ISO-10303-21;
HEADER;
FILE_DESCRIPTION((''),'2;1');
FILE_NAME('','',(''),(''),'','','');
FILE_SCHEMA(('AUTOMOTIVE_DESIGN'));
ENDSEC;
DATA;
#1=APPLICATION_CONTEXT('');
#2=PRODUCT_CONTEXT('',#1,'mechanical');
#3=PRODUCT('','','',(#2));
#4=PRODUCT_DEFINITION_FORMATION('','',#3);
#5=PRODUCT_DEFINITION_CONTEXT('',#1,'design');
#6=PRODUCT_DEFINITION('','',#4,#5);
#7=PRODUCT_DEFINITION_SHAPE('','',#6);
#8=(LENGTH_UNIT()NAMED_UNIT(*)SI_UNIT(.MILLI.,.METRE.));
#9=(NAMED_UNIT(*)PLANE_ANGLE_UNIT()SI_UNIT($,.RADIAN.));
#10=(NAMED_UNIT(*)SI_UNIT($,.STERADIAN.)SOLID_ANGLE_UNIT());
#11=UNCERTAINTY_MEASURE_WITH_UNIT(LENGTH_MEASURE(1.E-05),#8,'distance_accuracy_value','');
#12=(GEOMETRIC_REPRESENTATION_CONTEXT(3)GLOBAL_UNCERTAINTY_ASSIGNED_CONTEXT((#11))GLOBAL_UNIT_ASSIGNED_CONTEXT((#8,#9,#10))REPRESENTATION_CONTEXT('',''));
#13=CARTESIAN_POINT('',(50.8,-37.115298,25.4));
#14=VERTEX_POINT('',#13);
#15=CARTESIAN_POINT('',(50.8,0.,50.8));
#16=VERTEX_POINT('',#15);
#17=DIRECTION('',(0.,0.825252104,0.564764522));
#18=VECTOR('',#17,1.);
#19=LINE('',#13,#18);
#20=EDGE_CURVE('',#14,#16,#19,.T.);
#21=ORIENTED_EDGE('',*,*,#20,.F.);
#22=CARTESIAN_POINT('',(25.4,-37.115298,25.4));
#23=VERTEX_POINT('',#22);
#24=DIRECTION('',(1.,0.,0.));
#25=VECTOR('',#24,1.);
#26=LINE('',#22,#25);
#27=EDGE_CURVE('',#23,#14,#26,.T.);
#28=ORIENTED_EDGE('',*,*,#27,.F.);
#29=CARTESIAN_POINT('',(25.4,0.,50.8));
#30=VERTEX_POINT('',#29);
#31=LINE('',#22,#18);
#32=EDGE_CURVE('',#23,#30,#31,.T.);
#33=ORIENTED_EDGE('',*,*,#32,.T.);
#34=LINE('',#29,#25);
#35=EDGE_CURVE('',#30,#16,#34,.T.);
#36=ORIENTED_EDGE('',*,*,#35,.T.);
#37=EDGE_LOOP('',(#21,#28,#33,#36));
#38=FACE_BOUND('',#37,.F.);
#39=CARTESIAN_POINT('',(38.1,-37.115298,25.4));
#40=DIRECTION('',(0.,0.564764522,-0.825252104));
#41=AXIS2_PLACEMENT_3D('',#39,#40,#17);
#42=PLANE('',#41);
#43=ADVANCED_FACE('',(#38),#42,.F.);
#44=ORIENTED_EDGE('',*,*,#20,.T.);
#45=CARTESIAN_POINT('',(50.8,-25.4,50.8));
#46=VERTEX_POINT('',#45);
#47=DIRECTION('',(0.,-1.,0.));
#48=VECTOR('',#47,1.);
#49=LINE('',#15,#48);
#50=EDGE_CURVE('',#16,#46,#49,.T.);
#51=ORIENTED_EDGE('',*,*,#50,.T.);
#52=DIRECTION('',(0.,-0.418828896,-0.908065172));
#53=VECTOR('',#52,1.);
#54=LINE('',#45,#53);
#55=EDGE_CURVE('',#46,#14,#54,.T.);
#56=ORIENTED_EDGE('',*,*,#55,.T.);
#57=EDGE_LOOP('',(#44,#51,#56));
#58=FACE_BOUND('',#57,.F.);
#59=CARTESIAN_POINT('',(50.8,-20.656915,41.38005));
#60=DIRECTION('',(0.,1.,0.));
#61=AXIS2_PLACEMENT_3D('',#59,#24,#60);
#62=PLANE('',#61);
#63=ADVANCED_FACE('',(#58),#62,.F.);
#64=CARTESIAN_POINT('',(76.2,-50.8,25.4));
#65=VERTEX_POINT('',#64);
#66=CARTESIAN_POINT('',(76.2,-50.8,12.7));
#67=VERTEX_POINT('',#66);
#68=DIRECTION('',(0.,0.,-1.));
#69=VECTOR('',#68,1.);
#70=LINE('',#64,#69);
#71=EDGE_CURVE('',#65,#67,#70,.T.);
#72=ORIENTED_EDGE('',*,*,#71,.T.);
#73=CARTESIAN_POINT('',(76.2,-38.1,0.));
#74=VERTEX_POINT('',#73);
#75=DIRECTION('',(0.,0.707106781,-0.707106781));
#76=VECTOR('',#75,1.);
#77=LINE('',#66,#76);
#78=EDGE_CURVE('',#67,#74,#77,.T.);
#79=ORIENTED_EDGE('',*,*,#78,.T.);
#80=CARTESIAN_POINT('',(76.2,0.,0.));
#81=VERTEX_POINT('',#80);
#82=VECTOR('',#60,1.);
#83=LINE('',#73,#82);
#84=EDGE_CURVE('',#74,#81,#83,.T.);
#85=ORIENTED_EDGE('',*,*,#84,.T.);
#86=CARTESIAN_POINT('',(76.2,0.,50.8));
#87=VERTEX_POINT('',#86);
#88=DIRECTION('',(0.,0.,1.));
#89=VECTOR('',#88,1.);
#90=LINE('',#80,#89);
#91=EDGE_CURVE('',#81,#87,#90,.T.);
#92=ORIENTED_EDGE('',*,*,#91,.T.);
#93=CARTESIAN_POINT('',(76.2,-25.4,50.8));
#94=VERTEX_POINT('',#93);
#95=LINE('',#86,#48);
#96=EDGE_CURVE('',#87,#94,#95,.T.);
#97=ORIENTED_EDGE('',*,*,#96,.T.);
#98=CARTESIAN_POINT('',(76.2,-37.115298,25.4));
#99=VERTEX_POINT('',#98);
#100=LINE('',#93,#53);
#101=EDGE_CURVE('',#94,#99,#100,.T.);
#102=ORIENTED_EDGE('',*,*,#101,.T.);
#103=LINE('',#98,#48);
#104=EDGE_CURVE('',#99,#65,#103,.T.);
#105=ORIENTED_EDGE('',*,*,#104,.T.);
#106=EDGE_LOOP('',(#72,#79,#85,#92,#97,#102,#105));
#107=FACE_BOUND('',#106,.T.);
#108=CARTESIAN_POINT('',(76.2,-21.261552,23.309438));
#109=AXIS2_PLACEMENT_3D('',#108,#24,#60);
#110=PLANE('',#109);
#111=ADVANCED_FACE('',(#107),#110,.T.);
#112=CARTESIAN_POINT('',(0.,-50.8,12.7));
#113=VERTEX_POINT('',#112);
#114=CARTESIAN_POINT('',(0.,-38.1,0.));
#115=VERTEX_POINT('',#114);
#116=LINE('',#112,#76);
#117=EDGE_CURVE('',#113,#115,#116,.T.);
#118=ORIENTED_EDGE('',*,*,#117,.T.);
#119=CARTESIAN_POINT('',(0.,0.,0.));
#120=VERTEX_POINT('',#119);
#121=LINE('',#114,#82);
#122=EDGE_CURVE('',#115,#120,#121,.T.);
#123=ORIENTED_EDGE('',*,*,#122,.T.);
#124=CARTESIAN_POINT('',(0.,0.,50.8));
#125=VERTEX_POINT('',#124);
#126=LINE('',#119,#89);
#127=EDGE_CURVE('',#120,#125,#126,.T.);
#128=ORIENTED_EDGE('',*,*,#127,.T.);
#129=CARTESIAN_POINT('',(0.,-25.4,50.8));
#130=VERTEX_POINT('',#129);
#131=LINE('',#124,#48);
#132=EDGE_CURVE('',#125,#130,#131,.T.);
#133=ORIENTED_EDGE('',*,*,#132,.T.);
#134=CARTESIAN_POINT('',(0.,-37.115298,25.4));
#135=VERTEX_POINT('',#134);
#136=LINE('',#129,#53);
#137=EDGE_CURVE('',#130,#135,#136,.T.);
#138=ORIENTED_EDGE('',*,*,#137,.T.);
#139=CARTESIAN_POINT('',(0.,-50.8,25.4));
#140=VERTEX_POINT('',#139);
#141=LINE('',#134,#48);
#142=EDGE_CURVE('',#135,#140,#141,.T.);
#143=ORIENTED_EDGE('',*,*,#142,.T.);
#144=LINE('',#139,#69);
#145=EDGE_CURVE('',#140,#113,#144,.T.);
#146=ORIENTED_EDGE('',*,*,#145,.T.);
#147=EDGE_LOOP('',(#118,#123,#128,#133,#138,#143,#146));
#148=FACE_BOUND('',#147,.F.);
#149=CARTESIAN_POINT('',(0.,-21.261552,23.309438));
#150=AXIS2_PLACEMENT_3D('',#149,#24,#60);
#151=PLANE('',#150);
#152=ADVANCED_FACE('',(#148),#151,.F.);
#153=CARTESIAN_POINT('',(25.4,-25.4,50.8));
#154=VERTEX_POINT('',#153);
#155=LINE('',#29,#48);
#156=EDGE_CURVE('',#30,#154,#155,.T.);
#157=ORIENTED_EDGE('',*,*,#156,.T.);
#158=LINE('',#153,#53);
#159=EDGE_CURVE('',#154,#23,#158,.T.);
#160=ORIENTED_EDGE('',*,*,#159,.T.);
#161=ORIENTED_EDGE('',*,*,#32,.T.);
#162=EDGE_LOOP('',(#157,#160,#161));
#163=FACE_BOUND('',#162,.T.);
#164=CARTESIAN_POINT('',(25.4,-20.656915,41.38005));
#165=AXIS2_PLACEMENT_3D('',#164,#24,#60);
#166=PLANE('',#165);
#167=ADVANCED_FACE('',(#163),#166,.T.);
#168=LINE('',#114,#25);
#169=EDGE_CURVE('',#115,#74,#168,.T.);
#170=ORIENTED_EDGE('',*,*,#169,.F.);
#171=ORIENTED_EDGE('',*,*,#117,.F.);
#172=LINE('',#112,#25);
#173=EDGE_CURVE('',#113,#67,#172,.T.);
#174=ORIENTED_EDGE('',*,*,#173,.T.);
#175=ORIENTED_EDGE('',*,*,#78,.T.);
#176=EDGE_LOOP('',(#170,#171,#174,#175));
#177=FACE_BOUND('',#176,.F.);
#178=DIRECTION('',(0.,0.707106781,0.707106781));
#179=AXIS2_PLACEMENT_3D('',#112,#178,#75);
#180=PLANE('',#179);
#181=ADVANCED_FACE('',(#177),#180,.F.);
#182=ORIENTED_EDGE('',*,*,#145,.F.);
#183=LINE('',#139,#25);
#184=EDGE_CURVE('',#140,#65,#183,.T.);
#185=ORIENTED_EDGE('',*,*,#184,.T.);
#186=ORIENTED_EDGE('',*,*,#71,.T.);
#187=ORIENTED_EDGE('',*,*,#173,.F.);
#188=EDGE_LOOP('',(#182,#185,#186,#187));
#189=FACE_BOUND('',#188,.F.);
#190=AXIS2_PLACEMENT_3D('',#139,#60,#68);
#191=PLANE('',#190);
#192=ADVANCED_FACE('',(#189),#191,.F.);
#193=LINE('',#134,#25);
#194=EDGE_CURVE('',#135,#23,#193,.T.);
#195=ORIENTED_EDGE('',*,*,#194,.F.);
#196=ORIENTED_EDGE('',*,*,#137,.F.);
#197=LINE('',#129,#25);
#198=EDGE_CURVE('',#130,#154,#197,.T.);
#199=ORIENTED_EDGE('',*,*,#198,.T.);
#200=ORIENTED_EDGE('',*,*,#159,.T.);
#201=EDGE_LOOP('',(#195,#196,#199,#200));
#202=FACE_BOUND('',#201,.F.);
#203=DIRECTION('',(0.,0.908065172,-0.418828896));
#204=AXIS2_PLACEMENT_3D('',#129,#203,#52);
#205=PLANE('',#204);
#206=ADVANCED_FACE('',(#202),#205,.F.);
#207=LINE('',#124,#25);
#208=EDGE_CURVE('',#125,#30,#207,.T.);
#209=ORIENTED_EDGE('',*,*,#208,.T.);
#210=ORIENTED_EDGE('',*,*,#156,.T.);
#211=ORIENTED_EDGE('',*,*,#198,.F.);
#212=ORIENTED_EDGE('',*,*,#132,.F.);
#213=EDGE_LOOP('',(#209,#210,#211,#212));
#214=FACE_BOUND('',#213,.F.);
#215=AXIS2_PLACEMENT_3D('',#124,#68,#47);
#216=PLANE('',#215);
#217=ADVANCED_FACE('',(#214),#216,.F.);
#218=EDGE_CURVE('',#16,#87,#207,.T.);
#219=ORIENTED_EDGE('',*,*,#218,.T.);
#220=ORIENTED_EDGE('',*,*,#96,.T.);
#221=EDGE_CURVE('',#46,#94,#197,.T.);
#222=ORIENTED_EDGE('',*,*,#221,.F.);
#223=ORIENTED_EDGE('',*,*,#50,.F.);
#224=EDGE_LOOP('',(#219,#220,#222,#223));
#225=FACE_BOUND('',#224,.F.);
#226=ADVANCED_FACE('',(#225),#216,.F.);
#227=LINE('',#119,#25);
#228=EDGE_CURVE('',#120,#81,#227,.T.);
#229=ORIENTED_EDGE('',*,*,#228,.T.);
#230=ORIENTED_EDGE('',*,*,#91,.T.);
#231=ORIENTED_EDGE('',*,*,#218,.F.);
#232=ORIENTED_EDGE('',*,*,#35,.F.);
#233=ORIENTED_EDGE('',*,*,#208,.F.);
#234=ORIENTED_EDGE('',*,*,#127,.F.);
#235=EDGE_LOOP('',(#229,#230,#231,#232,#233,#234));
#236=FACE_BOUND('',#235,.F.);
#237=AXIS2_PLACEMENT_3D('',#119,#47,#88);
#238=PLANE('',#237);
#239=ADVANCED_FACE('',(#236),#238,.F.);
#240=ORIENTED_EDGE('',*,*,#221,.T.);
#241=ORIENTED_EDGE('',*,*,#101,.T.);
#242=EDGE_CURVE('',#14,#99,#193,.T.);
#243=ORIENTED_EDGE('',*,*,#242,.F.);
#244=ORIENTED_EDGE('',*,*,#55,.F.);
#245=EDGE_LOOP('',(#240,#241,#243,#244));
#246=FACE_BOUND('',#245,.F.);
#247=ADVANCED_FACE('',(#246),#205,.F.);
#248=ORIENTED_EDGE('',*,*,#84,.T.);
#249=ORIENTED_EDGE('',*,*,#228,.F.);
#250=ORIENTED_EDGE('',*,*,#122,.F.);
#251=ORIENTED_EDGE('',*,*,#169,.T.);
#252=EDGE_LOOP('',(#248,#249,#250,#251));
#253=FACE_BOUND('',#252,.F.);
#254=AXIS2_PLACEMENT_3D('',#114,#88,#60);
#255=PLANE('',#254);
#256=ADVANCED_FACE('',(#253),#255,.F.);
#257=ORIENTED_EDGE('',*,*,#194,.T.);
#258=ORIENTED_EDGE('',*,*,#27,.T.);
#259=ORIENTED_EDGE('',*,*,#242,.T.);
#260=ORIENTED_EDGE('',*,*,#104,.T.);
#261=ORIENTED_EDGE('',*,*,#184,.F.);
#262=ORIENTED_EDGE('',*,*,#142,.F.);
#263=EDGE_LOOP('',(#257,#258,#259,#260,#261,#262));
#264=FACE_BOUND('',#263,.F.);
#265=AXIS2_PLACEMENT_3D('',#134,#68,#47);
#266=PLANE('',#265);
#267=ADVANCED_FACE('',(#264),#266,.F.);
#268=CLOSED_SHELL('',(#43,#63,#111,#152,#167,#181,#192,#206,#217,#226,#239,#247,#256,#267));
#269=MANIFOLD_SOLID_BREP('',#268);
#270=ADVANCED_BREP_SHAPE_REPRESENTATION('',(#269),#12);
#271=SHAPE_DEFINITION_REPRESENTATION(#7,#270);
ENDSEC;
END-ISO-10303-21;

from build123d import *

# Parameters (mm, degrees)
F1_DEPTH      = 76.2
F4_DEPTH      = 12.7
F4_DEPTH_BACK = 12.7


with BuildPart() as f1:
    # F0 (on Right) → F1 (new body)
    with BuildSketch(Plane.YZ):
        Polygon((-38.1, 0), (0, 0), (0, 50.8), (-25.4, 50.8), (-37.1152978465, 25.4), (-50.8, 25.4), (-50.8, 12.7), align=None)
    extrude(amount=F1_DEPTH)

    # F3 (on mid) → F4 (cut, two sides)
    with BuildSketch(Plane.YZ.offset(38.1)) as f4_sk:
        Polygon((-25.4, 50.8), (-37.1152978465, 25.4), (0, 50.8), align=None)
    extrude(amount=-F4_DEPTH, mode=Mode.SUBTRACT)
    extrude(f4_sk.sketch, amount=F4_DEPTH_BACK, mode=Mode.SUBTRACT)


solid = f1.part
